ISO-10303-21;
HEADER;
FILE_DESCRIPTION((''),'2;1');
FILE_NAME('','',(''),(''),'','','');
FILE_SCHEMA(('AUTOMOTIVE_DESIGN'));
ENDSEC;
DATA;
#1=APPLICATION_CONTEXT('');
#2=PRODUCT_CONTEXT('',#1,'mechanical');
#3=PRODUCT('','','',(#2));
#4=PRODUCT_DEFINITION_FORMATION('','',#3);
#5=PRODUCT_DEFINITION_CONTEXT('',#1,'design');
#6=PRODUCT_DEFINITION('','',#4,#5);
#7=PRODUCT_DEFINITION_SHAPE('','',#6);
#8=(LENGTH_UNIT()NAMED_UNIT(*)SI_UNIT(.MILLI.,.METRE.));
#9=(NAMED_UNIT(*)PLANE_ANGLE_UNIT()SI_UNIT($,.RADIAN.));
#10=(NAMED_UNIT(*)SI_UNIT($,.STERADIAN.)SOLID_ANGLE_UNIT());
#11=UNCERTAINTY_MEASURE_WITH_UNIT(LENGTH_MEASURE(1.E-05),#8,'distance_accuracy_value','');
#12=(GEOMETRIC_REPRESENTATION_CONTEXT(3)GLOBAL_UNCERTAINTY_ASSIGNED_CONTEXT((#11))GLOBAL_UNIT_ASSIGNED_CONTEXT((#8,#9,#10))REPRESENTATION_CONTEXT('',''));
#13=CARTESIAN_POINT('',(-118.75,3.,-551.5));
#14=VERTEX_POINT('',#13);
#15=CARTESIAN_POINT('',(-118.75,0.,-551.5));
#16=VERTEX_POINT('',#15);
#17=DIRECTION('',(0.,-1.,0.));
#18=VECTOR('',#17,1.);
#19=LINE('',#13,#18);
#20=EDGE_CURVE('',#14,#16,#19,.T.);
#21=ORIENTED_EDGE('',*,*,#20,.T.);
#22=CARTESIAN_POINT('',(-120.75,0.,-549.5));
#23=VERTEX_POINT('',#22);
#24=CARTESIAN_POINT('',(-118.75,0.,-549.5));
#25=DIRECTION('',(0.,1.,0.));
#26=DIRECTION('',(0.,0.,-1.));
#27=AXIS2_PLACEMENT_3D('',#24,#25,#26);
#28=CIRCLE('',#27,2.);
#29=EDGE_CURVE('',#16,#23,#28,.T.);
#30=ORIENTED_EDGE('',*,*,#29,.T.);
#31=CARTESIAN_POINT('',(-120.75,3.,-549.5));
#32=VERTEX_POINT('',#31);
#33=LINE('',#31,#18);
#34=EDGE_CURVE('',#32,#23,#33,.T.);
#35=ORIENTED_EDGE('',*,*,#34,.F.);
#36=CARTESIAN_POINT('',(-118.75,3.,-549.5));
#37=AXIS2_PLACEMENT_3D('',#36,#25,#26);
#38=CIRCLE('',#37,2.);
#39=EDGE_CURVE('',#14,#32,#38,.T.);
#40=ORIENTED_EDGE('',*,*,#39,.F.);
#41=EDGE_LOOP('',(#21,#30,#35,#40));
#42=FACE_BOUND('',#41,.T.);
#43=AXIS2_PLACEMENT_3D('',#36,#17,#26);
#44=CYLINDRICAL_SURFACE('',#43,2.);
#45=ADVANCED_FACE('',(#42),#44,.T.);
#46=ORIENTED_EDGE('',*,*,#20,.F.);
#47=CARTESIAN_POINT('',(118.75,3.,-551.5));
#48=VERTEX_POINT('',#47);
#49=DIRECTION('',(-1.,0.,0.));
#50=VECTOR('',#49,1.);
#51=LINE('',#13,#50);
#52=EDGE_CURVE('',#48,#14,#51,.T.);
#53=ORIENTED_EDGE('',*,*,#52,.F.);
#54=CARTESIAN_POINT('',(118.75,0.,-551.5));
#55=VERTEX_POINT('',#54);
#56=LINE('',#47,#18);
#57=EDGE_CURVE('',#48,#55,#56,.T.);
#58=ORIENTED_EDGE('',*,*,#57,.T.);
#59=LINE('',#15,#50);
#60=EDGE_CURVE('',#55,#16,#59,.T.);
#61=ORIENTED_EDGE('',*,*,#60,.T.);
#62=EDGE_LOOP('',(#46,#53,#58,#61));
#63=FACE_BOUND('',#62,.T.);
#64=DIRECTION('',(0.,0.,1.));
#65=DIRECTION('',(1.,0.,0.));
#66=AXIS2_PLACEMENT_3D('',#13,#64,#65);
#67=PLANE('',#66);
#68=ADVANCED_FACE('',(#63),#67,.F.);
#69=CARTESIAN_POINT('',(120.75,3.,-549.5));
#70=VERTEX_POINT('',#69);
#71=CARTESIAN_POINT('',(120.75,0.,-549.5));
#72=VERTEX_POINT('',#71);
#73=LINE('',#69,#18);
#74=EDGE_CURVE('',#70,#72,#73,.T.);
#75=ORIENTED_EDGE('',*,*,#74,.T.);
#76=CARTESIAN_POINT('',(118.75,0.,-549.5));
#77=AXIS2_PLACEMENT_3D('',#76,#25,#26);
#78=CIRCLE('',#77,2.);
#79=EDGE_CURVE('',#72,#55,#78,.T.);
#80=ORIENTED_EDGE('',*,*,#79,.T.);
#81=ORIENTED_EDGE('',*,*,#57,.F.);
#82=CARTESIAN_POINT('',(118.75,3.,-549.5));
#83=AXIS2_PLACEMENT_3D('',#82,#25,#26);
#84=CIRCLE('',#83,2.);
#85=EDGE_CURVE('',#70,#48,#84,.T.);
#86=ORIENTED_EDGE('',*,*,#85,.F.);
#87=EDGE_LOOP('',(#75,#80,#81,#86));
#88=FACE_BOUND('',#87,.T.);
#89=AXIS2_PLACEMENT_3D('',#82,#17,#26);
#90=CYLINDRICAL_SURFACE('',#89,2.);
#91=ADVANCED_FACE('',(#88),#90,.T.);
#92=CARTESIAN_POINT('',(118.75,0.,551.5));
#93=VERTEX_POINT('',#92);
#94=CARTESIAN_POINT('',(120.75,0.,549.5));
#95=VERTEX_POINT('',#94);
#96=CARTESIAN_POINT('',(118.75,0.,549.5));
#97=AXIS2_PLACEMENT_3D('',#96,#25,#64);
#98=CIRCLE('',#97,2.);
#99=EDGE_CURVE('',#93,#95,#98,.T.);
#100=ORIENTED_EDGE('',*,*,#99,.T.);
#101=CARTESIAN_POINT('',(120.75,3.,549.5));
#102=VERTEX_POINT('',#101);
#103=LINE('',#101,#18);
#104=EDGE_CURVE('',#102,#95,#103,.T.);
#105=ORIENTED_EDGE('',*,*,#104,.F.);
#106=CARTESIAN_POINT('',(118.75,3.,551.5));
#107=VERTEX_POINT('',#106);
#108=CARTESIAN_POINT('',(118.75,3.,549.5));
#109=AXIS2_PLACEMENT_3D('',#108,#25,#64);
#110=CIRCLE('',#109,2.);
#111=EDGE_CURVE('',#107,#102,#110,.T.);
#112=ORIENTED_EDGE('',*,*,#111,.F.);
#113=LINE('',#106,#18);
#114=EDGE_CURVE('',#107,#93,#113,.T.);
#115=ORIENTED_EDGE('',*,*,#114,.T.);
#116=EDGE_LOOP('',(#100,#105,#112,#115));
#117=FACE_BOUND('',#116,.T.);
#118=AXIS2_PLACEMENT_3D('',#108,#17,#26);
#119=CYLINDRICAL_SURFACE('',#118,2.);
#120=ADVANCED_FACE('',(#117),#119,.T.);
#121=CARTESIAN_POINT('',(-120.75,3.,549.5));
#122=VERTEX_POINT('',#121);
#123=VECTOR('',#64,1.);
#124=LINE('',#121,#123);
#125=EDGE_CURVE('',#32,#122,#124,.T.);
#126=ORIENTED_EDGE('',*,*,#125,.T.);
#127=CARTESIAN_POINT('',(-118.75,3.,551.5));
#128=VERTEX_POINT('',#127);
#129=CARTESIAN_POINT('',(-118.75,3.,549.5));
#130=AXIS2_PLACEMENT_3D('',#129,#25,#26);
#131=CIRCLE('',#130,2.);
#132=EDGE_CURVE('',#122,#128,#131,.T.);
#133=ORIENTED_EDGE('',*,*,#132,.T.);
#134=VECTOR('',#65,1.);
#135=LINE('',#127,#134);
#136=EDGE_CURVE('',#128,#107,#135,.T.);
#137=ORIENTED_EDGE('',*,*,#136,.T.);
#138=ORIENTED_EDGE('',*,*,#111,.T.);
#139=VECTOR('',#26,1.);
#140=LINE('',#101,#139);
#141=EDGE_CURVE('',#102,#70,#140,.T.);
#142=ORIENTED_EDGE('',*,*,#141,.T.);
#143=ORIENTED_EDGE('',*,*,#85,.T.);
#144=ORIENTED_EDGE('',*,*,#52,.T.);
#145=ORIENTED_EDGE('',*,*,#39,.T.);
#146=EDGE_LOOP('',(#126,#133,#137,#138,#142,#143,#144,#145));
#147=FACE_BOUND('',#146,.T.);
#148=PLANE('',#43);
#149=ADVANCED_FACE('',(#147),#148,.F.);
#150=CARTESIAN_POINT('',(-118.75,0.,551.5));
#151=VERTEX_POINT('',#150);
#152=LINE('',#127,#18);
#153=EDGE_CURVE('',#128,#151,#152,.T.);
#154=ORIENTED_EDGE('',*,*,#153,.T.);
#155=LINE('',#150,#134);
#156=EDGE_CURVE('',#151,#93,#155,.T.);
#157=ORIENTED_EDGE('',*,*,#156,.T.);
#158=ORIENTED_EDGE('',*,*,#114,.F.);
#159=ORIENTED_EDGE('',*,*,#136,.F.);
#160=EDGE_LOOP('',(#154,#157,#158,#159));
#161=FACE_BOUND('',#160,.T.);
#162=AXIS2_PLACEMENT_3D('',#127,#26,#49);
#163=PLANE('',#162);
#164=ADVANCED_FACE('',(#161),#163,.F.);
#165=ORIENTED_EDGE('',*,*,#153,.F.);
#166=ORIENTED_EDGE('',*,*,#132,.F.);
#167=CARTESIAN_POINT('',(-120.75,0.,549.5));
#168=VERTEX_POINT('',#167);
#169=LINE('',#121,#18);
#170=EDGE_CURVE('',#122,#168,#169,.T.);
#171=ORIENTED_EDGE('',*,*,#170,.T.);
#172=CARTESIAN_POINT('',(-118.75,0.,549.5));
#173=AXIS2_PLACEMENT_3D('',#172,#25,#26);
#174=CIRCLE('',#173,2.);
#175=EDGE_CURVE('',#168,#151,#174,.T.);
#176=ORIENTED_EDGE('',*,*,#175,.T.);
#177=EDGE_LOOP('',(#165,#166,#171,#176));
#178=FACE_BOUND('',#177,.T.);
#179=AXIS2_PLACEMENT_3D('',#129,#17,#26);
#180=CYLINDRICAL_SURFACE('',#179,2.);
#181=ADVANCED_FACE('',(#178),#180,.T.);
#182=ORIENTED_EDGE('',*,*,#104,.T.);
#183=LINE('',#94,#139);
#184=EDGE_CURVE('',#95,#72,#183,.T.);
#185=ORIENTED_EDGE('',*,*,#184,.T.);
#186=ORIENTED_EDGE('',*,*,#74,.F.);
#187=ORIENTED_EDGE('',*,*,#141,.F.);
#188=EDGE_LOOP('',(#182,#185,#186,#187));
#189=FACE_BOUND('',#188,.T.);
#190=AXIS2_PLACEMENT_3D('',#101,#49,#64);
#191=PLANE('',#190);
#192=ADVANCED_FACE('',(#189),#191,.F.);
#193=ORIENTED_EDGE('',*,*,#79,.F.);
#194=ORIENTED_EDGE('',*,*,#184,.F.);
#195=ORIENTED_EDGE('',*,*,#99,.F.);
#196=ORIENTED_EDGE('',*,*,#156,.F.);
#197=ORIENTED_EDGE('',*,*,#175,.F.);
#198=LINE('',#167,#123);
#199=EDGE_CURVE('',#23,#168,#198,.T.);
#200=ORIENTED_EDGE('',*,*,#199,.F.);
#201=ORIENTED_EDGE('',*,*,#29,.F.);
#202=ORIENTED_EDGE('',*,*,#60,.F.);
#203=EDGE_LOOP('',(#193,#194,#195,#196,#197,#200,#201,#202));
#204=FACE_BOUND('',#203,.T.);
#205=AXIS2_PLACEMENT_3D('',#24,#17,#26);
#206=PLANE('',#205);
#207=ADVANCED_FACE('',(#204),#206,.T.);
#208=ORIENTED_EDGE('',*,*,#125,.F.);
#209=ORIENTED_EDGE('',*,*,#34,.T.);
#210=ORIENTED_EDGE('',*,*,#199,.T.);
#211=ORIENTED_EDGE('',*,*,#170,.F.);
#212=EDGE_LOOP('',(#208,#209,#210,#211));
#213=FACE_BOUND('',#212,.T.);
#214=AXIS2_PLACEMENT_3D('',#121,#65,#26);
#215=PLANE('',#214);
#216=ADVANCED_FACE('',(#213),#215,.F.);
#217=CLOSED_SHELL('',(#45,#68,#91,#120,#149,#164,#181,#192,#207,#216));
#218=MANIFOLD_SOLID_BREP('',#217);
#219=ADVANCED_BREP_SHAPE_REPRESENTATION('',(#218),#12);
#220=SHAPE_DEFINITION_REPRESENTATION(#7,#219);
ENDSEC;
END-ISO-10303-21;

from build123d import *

# Parameters (mm, degrees)
BOSS_EXTRUDE1_DEPTH = 3


with BuildPart() as part:
    # Sketch2 → Boss-Extrude1 (new body)
    with BuildSketch(Plane(origin=(0, 0, 0), x_dir=(1, 0, 0), z_dir=(0, 1, 0))):
        with BuildLine():
            Line((-118.75, -551.5), (118.75, -551.5))
            ThreePointArc((118.75, -551.5), (120.164213562, -550.914213562), (120.75, -549.5))
            Line((120.75, -549.5), (120.75, 549.5))
            ThreePointArc((120.75, 549.5), (120.164213562, 550.914213562), (118.75, 551.5))
            Line((118.75, 551.5), (-118.75, 551.5))
            ThreePointArc((-118.75, 551.5), (-120.164213562, 550.914213562), (-120.75, 549.5))
            Line((-120.75, 549.5), (-120.75, -549.5))
            ThreePointArc((-120.75, -549.5), (-120.164213562, -550.914213562), (-118.75, -551.5))
        make_face()
    extrude(amount=BOSS_EXTRUDE1_DEPTH)


solid = part.part
